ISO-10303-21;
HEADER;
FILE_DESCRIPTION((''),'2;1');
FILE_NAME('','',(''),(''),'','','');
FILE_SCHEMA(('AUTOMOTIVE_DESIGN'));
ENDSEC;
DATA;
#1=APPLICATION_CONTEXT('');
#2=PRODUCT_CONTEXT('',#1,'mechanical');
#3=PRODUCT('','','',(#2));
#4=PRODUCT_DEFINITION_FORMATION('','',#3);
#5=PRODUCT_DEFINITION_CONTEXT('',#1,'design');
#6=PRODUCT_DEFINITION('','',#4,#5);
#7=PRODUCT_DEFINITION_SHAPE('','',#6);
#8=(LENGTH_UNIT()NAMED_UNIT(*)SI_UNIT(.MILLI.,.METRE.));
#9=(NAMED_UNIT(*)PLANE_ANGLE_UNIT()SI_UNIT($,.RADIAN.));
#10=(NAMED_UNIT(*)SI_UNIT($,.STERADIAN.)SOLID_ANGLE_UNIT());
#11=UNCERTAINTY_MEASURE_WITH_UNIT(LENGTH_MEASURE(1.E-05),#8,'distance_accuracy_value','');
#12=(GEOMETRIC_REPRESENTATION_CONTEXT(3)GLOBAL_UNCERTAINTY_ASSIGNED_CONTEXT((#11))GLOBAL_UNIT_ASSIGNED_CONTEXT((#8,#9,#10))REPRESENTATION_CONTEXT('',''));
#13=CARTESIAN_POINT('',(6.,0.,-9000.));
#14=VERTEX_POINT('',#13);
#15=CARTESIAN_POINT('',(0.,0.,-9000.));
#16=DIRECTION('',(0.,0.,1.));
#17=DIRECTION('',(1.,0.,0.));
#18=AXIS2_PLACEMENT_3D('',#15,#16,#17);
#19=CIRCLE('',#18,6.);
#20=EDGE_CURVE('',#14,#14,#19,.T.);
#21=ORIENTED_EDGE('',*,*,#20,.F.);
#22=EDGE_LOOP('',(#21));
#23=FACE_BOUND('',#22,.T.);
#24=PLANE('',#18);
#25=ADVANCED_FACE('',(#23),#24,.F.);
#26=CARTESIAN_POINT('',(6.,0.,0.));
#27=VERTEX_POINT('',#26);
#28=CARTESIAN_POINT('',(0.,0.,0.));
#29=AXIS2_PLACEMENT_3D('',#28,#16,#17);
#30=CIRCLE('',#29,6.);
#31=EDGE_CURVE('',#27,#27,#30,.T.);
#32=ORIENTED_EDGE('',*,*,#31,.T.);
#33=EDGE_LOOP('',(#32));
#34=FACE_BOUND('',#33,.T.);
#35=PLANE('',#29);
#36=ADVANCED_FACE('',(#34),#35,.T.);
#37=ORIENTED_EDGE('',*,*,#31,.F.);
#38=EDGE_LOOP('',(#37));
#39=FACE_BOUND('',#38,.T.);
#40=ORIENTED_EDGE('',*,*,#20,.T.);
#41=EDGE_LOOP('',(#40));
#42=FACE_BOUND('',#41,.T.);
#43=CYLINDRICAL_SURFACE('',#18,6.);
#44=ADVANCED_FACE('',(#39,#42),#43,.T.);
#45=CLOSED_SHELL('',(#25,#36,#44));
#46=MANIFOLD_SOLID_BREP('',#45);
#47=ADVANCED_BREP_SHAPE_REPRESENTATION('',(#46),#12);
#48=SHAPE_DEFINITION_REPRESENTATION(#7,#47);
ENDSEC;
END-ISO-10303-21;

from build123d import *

# Parameters (mm, degrees)
SKETCH_1_R      = 6
EXTRUDE_1_DEPTH = 9000


with BuildPart() as part:
    # Эскиз1 → Бобышка-Вытянуть1 (new body)
    with BuildSketch(Plane.XY):
        Circle(SKETCH_1_R)
    extrude(amount=-EXTRUDE_1_DEPTH)


solid = part.part
